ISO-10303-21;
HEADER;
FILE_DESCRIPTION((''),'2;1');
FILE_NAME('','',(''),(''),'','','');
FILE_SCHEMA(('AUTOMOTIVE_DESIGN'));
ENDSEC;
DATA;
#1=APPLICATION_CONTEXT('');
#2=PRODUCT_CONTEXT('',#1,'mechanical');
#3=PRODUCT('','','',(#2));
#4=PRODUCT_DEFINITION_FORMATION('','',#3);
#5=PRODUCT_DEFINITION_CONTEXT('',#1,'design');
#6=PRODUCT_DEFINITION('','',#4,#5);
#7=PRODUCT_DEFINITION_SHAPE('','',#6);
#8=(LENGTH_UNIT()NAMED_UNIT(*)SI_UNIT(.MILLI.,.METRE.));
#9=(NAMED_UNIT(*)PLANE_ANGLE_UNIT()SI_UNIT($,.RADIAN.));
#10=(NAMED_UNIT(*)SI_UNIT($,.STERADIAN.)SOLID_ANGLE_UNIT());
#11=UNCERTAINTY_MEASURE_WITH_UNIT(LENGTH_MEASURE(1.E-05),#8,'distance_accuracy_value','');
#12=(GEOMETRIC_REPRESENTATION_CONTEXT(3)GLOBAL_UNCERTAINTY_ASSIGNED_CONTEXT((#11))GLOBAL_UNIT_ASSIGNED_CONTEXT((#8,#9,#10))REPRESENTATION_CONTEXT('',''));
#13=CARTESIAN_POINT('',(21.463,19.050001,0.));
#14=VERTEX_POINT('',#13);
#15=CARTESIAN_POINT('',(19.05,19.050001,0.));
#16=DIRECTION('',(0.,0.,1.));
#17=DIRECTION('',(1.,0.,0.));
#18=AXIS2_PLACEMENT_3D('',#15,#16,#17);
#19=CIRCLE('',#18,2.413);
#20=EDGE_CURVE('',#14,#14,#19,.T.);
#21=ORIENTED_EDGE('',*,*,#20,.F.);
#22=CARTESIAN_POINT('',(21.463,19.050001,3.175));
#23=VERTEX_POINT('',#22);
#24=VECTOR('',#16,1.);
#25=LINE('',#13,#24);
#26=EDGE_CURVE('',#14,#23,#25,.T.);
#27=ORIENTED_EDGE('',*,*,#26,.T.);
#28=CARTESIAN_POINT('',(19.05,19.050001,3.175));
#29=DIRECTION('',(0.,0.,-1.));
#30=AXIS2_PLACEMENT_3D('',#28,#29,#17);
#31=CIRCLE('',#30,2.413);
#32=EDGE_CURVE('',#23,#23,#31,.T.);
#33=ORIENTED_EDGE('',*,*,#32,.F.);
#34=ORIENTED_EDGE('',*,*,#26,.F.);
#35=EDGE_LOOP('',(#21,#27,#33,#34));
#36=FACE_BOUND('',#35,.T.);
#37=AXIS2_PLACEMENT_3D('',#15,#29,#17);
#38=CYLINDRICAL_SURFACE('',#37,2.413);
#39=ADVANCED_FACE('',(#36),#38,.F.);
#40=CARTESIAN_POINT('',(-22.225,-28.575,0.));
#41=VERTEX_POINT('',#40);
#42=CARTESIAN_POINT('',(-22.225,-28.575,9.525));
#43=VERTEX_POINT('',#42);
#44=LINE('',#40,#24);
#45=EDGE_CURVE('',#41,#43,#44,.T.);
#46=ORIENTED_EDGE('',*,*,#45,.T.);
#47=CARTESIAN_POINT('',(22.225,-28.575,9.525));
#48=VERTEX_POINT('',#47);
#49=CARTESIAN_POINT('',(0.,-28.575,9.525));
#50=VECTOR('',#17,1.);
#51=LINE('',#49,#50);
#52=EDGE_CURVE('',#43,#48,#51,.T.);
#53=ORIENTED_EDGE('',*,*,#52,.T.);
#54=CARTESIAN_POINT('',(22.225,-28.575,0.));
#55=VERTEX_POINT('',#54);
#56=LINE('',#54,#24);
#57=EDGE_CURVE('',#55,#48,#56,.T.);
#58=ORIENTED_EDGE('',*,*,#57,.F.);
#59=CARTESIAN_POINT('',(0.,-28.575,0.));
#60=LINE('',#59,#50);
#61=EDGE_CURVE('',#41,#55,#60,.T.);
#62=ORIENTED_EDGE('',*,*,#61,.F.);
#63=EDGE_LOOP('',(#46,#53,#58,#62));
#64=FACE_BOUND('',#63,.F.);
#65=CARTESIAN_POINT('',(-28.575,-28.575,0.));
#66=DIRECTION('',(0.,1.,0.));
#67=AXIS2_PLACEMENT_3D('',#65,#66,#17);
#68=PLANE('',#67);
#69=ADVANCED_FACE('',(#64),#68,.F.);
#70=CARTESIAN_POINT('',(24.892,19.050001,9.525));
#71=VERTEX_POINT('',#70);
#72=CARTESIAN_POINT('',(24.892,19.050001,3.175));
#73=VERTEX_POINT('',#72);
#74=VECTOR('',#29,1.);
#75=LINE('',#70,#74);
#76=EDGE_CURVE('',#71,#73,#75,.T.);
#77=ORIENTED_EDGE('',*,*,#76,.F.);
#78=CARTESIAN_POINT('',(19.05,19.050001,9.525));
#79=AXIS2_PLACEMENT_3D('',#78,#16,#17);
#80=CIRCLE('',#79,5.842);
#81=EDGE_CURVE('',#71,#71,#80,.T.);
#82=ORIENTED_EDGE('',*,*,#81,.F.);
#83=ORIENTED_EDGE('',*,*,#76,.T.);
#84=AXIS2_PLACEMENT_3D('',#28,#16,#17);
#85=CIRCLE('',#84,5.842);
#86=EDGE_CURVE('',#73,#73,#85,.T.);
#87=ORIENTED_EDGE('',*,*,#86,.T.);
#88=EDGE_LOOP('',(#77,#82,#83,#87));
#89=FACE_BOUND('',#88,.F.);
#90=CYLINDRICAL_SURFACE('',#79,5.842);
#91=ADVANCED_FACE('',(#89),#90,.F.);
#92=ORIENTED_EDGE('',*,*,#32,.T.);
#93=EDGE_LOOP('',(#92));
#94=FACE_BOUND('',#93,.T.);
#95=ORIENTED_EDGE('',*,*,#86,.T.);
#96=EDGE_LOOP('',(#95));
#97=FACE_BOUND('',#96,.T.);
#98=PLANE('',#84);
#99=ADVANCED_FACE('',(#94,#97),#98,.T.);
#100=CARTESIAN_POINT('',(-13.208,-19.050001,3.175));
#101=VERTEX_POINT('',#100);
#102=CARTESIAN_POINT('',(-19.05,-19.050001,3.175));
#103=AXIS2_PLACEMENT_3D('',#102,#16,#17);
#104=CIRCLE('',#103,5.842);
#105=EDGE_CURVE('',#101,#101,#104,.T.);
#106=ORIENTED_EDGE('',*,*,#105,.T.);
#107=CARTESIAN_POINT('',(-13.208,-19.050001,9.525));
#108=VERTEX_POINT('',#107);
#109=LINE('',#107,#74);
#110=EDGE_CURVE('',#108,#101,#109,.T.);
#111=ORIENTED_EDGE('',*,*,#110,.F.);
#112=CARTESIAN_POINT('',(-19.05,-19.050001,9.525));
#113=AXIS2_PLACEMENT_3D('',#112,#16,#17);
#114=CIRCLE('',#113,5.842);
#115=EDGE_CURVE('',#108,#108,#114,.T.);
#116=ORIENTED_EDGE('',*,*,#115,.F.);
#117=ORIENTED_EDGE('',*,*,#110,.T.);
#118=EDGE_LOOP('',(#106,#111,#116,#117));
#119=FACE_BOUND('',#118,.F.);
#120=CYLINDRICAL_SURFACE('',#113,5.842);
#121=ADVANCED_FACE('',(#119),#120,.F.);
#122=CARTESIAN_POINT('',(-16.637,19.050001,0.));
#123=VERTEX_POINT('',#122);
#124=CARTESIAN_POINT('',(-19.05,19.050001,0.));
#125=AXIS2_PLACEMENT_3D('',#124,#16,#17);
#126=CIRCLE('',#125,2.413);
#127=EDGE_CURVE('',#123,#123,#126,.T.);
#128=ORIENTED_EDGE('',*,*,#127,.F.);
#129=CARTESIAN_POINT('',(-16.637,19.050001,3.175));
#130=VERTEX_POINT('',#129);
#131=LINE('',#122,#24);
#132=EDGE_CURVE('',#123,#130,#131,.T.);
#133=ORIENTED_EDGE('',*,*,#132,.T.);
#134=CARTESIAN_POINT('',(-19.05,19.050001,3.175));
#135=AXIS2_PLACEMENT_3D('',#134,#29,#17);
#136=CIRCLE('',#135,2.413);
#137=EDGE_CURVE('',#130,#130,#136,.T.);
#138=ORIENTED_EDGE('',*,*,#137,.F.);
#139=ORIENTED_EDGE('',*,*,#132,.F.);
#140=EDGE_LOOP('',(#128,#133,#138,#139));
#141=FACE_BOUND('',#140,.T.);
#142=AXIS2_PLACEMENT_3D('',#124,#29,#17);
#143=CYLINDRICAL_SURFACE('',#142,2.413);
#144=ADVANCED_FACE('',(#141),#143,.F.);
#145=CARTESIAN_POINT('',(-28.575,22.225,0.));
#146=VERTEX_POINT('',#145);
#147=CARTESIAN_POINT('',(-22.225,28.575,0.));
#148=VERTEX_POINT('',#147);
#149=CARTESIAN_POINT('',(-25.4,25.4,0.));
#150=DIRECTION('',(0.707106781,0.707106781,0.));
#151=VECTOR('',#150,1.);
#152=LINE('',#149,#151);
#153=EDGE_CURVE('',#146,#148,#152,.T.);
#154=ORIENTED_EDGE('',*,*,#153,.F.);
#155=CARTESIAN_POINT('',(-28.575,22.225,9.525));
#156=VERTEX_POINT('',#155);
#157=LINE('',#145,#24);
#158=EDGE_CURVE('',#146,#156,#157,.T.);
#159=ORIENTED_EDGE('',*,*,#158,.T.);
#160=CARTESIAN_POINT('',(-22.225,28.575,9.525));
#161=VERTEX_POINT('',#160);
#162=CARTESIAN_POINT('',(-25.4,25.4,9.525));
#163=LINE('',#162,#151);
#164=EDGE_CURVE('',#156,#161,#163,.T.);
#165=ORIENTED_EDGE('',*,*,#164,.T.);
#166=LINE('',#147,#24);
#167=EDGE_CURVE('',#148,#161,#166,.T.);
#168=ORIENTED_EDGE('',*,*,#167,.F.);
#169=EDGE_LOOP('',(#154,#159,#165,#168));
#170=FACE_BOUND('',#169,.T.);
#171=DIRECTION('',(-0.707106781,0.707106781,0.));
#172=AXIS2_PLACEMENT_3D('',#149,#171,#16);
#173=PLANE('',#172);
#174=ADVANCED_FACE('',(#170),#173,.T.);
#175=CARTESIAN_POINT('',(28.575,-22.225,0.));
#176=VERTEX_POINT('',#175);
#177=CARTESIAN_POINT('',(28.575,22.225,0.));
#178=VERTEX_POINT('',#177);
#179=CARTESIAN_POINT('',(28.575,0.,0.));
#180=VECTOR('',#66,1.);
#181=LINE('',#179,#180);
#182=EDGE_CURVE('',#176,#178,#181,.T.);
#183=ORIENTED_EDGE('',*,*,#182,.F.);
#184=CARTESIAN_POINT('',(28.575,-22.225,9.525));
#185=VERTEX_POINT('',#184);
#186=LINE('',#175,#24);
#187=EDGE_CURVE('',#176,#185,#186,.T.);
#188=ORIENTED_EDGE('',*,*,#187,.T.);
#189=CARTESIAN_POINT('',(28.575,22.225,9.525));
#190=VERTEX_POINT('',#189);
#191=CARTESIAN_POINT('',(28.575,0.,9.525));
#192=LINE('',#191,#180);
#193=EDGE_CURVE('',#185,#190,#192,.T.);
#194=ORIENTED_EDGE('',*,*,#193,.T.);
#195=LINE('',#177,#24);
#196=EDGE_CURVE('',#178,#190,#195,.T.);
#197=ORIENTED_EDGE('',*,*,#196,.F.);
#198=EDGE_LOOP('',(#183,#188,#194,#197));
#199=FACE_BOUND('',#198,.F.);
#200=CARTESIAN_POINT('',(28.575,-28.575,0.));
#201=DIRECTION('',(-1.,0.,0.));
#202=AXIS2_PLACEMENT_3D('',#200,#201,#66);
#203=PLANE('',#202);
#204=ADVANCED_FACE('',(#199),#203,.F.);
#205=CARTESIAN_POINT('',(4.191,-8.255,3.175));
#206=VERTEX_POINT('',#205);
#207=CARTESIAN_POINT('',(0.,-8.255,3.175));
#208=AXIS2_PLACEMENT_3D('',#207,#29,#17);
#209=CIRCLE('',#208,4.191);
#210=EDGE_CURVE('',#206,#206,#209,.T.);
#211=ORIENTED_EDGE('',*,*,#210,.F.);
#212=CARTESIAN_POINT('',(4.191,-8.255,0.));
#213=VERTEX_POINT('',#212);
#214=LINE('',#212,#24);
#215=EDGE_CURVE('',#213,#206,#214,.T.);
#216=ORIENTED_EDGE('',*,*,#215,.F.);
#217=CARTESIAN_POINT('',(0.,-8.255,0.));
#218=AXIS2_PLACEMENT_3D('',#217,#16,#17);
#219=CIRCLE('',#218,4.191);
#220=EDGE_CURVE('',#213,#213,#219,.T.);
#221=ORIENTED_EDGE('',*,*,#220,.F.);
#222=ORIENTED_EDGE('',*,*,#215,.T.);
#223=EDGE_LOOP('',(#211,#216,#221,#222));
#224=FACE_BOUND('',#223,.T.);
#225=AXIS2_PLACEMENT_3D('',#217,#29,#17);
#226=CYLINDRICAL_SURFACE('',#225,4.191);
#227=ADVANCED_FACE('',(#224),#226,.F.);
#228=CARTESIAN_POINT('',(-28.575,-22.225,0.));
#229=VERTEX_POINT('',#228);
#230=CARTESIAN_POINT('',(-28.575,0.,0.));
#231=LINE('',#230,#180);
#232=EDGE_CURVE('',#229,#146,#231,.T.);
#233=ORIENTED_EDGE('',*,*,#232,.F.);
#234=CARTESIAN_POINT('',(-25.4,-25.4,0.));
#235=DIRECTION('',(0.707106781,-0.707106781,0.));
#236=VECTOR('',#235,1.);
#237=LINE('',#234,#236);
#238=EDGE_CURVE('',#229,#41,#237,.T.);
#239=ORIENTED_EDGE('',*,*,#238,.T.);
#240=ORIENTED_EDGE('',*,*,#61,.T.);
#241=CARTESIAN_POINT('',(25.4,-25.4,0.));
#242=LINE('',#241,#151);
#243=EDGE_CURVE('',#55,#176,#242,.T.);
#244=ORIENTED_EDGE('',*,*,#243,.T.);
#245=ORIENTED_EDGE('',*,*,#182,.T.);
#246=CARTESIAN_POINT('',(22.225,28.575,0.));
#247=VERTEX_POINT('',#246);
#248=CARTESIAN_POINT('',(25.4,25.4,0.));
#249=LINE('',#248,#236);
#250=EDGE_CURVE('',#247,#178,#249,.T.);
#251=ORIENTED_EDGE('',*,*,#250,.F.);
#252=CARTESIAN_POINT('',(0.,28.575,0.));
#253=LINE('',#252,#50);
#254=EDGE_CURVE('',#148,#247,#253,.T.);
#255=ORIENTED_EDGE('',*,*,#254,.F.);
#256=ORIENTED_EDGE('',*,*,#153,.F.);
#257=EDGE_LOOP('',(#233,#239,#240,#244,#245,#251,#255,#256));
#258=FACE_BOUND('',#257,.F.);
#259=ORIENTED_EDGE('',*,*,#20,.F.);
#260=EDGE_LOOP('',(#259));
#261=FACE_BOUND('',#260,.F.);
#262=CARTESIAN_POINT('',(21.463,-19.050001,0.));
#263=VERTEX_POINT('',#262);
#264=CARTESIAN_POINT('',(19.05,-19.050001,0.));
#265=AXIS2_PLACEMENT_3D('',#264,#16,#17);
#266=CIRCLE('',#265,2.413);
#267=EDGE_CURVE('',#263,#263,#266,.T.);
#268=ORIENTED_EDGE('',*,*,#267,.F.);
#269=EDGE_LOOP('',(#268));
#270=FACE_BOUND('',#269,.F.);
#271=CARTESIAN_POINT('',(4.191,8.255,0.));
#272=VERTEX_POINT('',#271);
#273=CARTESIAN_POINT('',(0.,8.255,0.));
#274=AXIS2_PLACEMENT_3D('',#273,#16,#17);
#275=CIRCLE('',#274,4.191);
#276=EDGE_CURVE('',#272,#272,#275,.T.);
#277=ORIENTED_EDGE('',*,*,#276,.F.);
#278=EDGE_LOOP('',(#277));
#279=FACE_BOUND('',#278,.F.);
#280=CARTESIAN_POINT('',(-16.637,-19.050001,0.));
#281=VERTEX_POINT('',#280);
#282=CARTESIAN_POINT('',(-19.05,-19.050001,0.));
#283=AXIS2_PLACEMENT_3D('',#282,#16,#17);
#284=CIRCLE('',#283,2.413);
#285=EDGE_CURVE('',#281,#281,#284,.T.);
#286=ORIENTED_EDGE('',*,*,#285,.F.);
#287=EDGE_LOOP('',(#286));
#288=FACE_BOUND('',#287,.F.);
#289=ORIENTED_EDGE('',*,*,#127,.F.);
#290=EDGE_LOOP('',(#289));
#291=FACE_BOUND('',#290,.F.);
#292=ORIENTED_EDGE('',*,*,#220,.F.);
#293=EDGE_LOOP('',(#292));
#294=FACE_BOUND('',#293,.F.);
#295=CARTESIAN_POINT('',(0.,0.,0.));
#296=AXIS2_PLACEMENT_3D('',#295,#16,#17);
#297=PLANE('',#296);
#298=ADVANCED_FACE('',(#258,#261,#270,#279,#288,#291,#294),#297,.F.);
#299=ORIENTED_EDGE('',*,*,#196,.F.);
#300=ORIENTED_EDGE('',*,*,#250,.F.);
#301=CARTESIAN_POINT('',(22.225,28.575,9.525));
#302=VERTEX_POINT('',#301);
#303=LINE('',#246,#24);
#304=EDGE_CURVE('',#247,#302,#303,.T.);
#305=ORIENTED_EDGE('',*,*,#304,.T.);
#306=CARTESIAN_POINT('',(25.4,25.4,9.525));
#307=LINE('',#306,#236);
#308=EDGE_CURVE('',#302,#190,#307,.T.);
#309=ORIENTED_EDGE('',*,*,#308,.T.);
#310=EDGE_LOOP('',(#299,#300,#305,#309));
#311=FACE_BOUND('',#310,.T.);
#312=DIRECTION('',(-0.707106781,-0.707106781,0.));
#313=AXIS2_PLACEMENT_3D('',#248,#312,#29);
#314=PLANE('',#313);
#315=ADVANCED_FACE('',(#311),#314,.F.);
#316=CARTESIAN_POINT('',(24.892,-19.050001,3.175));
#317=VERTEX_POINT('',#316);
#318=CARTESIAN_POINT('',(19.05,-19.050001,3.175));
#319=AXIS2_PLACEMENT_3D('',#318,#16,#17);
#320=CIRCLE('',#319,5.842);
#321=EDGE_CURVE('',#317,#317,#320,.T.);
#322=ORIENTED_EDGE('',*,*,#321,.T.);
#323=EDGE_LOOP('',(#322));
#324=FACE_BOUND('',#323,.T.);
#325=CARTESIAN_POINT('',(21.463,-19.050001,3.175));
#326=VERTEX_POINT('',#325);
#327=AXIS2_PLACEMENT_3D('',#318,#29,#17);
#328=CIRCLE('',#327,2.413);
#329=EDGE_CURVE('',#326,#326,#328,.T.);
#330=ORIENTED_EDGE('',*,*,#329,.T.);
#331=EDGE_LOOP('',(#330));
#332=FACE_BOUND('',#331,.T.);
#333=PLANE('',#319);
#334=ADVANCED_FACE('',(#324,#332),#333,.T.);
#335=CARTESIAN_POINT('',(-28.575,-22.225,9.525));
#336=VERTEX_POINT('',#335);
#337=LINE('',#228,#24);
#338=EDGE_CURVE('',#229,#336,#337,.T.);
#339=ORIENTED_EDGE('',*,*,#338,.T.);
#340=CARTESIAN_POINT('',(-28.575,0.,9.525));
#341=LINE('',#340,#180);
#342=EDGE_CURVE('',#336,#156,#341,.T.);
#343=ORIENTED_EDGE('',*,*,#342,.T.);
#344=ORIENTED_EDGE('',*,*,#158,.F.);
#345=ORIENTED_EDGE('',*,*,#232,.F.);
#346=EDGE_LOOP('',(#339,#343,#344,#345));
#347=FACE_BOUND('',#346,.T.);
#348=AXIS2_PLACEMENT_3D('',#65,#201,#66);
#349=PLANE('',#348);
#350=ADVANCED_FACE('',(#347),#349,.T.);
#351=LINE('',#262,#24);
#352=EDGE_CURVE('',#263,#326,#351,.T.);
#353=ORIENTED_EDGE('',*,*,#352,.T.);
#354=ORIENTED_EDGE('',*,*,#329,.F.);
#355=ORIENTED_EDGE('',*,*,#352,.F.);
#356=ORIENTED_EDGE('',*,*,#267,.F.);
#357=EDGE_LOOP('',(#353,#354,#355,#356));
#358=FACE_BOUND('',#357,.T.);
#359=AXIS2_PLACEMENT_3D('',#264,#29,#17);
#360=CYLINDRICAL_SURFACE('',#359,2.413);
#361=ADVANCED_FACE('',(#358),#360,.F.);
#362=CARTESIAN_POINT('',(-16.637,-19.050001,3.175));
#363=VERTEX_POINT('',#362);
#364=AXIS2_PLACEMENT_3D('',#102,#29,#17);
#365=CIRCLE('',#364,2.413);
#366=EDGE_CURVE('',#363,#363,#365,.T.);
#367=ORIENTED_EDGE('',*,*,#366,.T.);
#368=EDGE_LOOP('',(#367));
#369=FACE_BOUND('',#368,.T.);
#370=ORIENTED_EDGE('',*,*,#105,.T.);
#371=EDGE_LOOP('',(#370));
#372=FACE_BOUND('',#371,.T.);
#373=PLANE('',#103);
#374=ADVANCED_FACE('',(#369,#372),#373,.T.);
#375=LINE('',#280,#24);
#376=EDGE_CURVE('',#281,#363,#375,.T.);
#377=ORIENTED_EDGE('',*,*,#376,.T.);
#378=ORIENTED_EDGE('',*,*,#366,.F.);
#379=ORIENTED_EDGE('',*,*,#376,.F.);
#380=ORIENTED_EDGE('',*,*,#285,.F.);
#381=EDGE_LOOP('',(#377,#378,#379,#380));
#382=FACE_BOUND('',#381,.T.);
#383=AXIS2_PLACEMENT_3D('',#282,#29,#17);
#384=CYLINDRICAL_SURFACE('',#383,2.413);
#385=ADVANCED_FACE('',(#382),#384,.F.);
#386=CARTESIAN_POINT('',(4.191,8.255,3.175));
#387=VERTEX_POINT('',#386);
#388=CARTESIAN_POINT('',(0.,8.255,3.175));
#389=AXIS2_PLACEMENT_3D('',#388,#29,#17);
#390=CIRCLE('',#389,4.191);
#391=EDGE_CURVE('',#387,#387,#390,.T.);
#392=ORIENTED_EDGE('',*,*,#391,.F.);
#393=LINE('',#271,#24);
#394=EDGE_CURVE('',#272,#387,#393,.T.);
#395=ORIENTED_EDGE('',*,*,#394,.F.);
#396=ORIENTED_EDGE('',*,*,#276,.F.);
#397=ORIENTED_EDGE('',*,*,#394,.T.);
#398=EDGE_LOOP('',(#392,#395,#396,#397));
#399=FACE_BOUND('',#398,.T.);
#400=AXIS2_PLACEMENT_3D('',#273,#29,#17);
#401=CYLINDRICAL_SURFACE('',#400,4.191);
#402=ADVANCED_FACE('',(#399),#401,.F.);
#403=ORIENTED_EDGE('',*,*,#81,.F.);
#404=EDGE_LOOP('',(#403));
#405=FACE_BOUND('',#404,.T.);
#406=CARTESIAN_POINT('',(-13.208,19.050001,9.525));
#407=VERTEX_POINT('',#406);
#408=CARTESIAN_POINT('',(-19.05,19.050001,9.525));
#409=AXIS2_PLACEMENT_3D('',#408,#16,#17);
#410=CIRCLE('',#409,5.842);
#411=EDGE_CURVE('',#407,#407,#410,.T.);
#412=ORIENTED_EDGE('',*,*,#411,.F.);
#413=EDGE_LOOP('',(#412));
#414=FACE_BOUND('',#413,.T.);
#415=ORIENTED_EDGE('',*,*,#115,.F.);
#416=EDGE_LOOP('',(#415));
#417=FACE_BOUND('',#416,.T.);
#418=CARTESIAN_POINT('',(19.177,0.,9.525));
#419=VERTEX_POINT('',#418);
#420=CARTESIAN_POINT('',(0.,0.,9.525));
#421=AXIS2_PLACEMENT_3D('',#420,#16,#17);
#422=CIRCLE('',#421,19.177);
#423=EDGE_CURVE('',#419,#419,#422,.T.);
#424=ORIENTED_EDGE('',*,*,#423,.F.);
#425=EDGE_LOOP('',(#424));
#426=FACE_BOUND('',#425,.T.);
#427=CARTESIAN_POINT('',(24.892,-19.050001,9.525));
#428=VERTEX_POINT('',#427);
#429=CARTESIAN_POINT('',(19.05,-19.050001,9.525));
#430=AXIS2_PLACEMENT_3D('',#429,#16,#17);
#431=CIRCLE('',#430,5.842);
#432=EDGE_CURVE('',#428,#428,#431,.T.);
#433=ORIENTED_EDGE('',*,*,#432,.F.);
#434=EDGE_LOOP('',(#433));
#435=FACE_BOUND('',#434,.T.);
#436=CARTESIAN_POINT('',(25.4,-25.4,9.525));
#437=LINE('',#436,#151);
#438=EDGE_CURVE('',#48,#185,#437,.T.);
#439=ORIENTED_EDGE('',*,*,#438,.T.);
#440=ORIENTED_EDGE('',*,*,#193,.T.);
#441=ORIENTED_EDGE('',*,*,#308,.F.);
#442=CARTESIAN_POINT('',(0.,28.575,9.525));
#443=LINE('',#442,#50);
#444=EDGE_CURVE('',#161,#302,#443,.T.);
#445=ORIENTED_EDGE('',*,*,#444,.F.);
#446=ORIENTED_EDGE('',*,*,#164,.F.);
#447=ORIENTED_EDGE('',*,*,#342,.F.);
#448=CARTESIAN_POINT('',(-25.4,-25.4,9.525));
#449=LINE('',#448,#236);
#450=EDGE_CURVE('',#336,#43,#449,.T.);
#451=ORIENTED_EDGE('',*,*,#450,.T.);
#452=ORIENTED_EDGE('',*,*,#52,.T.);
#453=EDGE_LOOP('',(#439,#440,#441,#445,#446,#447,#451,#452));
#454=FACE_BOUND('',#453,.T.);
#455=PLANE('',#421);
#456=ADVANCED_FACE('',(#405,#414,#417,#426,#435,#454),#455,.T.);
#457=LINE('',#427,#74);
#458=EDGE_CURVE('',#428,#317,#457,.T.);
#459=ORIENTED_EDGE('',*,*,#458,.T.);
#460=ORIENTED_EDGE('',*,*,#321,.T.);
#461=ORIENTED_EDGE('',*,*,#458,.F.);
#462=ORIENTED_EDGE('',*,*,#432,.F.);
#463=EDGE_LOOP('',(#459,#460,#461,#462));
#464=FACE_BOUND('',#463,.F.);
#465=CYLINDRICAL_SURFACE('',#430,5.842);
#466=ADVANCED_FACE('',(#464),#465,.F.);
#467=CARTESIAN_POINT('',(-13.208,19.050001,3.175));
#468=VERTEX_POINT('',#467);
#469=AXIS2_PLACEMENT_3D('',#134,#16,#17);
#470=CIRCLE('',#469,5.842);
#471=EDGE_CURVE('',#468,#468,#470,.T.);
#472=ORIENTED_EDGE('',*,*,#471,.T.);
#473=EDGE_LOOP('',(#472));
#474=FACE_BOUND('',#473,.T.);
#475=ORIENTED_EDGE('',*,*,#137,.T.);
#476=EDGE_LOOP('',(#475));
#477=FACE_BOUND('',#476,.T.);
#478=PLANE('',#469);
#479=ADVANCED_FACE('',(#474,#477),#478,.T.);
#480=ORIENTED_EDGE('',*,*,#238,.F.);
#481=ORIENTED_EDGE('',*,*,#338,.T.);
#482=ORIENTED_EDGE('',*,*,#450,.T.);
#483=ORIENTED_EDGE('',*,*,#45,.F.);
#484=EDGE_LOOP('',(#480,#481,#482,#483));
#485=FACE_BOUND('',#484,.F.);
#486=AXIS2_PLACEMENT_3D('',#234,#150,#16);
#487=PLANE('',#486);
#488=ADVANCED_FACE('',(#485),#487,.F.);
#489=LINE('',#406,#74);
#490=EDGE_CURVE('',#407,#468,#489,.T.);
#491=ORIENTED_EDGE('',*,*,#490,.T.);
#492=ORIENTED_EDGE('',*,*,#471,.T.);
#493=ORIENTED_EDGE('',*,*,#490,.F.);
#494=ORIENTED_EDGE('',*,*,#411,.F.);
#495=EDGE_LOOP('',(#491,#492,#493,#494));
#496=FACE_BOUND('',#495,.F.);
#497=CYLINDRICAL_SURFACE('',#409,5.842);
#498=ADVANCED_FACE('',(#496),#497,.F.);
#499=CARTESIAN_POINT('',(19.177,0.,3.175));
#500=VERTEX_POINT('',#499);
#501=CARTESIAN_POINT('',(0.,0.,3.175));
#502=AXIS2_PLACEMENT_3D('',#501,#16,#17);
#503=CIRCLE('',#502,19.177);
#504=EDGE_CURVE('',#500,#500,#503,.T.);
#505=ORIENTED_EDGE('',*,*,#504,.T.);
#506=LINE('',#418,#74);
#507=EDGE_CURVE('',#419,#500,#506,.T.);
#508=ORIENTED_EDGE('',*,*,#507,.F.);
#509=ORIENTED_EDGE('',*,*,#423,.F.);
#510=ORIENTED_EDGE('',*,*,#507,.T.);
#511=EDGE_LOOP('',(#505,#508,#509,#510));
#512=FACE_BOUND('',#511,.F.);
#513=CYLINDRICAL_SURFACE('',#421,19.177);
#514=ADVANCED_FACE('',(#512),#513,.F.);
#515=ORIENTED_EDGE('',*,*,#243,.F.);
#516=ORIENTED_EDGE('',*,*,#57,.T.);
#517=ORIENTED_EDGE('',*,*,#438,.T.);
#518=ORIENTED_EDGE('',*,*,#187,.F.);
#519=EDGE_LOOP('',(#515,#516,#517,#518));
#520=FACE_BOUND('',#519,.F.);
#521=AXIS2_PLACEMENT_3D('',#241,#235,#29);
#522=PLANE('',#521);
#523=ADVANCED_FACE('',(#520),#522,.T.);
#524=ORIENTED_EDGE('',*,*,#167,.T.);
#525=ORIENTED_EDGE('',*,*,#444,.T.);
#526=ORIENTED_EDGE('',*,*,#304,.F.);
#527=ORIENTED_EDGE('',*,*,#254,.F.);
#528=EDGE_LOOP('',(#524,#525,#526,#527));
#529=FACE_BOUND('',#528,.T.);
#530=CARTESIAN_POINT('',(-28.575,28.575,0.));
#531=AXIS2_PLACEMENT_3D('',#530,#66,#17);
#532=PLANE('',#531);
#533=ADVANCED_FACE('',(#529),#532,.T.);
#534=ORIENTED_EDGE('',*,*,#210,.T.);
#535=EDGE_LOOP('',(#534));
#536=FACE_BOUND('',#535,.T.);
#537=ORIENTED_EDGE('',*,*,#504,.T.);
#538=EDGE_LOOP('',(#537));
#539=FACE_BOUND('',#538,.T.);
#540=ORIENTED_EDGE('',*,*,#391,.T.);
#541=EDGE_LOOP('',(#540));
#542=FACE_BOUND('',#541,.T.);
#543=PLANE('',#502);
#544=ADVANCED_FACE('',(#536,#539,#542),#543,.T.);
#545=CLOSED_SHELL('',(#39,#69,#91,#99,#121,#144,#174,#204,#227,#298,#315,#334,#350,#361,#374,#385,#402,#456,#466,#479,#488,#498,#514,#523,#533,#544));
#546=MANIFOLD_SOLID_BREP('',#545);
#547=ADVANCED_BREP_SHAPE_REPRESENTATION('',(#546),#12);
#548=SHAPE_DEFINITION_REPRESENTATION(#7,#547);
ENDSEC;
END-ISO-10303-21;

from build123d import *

# Parameters (mm, degrees)
F0_W     = 57.15
F0_H     = 57.15
F1_DEPTH = 9.525
F2_R     = 19.177
F3_DEPTH = 6.35
F4_R     = 2.413
F5_DEPTH = 9.526
F7_R     = 4.191
F8_DEPTH = 9.526
F6_R     = 5.842
F9_DEPTH = 6.35
F10_SIZE = 6.35


with BuildPart() as f1:
    # F0 (on Top) → F1 (new body)
    with BuildSketch(Plane.XY):
        Rectangle(F0_W, F0_H)
    extrude(amount=F1_DEPTH)

    # F2 (on face) → F3 (cut)
    with BuildSketch(Plane.XY.offset(9.525)):
        Circle(F2_R)
    extrude(amount=-F3_DEPTH, mode=Mode.SUBTRACT)

    # F4 (on Top) → F5 (cut, through all)
    with BuildSketch(Plane.XY):
        with Locations((-19.05, 19.050001)):
            Circle(F4_R)
        with Locations((19.05, 19.050001)):
            Circle(F4_R)
        with Locations((-19.05, -19.050001)):
            Circle(F4_R)
        with Locations((19.05, -19.050001)):
            Circle(F4_R)
    extrude(amount=F5_DEPTH, mode=Mode.SUBTRACT)

    # F7 (on Top) → F8 (cut, through all)
    with BuildSketch(Plane.XY):
        with Locations((0, 8.255)):
            Circle(F7_R)
        with Locations((0, -8.255)):
            Circle(F7_R)
    extrude(amount=F8_DEPTH, mode=Mode.SUBTRACT)

    # F6 (on face) → F9 (cut)
    with BuildSketch(Plane.XY.offset(9.525)):
        with Locations((-19.05, 19.050001)):
            Circle(F6_R)
        with Locations((19.05, 19.050001)):
            Circle(F6_R)
        with Locations((-19.05, -19.050001)):
            Circle(F6_R)
        with Locations((19.05, -19.050001)):
            Circle(F6_R)
    extrude(amount=-F9_DEPTH, mode=Mode.SUBTRACT)

    # F10
    f10_edges = [f1.edges().sort_by_distance(p)[0] for p in [
        (-28.575, -28.575, 4.7625),
        (28.575, -28.575, 4.7625),
        (28.575, 28.575, 4.7625),
        (-28.575, 28.575, 4.7625),
    ]]
    chamfer(f10_edges, length=F10_SIZE)


solid = f1.part
